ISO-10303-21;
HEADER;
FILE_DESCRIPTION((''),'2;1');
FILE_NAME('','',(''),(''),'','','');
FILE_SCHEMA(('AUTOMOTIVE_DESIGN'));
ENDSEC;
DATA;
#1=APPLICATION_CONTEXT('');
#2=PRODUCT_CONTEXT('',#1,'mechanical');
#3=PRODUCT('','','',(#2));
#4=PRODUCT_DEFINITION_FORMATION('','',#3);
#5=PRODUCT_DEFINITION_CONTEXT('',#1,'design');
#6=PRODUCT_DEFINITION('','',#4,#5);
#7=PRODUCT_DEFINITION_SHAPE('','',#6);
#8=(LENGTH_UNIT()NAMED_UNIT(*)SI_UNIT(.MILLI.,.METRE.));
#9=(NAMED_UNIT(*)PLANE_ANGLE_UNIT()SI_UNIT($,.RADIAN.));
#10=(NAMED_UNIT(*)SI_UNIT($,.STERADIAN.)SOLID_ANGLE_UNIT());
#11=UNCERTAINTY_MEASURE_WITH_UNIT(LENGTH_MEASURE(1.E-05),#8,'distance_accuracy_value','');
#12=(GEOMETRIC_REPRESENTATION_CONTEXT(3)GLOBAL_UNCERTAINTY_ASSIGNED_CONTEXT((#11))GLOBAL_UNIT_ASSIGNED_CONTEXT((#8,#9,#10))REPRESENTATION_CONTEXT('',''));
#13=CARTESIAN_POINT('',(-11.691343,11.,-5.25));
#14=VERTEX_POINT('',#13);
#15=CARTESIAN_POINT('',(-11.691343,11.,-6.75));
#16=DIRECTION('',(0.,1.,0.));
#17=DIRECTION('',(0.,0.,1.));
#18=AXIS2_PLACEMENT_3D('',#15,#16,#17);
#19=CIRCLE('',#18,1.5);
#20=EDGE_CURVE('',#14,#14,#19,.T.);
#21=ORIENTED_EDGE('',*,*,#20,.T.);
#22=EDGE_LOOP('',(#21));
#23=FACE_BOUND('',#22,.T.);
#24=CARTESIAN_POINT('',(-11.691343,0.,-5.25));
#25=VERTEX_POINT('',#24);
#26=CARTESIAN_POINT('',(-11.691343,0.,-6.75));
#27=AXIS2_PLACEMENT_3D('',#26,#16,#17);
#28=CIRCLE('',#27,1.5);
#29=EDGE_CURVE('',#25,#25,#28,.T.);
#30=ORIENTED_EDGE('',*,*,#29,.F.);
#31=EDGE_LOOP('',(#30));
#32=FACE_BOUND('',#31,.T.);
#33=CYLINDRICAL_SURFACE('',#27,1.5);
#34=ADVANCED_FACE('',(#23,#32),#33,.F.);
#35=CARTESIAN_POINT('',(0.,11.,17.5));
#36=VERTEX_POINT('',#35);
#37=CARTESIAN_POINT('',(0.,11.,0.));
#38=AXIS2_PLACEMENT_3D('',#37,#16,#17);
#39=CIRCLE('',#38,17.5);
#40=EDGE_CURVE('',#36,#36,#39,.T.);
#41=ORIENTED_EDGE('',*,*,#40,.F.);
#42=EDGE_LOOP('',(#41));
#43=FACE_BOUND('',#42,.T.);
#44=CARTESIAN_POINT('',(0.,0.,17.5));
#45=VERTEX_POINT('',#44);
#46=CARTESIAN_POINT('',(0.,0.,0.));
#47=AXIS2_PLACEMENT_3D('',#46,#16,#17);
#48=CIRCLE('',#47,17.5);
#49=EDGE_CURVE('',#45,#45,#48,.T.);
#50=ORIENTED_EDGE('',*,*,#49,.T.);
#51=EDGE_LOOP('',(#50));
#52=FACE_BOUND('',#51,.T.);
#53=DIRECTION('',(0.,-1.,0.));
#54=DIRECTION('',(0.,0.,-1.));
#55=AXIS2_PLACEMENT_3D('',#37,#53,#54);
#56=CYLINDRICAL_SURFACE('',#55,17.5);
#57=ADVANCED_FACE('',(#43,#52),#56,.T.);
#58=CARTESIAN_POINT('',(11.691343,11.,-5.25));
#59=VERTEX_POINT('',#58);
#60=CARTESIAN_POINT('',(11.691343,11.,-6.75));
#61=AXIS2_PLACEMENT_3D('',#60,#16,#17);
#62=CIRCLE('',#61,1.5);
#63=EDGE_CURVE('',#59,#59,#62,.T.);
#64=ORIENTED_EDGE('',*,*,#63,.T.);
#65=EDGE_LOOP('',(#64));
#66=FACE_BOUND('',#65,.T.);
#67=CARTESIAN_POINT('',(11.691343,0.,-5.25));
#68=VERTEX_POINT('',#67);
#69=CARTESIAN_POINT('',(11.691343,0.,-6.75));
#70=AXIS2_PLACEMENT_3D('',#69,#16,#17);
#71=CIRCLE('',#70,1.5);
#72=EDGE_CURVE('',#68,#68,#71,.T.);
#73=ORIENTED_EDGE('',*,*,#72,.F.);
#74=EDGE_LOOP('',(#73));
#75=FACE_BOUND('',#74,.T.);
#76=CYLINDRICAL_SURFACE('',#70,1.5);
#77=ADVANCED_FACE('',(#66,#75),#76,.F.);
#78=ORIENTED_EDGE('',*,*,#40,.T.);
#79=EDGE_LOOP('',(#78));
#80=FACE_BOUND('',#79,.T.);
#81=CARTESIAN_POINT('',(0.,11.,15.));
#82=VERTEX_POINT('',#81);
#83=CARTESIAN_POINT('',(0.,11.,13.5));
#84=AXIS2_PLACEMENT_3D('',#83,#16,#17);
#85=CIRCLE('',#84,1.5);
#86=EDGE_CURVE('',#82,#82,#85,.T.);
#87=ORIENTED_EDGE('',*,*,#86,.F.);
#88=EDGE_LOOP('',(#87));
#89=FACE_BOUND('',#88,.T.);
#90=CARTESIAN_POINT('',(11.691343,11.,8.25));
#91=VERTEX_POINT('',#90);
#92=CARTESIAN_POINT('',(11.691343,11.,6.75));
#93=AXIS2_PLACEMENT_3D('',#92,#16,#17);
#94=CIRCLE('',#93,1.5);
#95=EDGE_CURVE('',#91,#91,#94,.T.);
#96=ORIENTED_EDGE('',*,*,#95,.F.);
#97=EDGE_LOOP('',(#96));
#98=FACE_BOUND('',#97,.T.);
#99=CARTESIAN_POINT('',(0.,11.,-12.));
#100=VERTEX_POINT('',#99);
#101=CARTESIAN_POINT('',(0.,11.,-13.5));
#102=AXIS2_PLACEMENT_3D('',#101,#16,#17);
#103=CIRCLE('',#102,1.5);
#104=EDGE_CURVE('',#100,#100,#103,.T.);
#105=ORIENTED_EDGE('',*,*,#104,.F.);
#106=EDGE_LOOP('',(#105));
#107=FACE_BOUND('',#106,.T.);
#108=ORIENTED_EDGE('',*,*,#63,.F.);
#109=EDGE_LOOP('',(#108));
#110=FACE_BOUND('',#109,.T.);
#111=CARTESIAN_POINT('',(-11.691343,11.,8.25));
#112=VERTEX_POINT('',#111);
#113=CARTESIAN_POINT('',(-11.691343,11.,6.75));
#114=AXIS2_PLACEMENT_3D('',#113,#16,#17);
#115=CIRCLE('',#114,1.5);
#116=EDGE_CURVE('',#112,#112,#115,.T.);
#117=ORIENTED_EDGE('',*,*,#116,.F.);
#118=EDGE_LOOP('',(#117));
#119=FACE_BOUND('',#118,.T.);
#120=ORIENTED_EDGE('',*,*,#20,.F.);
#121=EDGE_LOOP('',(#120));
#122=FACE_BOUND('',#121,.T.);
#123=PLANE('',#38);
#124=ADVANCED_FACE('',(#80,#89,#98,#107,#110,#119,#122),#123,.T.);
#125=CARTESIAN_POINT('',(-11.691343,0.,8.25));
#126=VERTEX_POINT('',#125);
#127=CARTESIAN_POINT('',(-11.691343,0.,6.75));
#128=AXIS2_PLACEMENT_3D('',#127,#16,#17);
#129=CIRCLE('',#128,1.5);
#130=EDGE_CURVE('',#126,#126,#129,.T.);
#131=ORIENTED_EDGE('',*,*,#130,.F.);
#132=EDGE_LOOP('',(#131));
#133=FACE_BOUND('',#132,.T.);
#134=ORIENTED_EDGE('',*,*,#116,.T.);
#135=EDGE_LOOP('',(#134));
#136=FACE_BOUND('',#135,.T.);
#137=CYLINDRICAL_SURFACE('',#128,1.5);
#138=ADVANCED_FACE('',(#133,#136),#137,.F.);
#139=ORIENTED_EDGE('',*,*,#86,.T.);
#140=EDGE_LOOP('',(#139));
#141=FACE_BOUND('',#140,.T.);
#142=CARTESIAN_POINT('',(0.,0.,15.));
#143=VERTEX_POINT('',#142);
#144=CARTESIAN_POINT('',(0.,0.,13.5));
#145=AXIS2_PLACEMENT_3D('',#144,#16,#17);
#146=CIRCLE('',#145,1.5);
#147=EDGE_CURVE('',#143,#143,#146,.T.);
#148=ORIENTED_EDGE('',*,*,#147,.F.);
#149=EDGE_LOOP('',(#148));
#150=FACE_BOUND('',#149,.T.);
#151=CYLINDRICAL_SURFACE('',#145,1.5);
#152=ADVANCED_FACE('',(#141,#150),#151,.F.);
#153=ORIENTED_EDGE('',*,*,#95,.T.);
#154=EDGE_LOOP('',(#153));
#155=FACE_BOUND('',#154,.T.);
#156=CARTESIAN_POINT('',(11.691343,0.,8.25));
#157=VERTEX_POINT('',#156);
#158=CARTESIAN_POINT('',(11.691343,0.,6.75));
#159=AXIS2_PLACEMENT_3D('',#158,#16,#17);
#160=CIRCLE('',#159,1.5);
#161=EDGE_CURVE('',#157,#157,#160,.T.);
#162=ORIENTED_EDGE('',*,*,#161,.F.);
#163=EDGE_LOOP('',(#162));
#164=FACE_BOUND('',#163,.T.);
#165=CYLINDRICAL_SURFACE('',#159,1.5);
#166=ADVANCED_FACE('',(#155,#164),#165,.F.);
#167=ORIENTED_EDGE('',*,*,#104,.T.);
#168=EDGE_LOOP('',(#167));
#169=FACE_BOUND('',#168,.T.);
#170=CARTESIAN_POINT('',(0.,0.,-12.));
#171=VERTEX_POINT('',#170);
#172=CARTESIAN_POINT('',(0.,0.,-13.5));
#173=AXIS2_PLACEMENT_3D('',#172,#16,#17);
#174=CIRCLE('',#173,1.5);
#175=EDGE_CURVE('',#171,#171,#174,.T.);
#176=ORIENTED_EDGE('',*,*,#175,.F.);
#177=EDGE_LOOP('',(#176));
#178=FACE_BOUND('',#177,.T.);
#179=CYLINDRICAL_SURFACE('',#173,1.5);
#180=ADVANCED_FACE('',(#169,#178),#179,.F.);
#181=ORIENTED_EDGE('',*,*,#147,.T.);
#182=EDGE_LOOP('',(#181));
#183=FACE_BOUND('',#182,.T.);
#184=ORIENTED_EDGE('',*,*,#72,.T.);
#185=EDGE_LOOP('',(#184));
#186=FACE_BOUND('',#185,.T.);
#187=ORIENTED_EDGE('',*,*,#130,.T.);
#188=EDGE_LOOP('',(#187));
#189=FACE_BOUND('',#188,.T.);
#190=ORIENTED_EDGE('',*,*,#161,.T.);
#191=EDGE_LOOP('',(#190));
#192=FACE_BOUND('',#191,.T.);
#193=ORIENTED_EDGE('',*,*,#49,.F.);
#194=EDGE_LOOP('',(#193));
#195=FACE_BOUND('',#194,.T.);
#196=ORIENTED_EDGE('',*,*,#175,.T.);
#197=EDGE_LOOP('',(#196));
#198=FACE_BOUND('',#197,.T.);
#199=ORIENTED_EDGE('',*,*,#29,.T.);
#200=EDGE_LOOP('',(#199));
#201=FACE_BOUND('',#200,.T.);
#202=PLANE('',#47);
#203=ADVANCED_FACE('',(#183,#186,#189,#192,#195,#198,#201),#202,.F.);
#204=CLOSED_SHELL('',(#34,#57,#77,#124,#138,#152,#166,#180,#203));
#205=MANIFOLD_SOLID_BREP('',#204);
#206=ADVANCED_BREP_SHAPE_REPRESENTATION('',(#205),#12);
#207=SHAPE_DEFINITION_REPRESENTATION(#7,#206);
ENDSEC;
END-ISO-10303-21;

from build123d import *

# Parameters (mm, degrees)
SKETCH_1_R          = 17.5
EXTRUDE_1_DEPTH     = 11
SKETCH_2_R          = 1.5
CUT_EXTRUDE_1_DEPTH = 11


with BuildPart() as part:
    # 草图1 → 凸台-拉伸1 (new body)
    with BuildSketch(Plane(origin=(0, 0, 0), x_dir=(1, 0, 0), z_dir=(0, 1, 0))):
        Circle(SKETCH_1_R)
    extrude(amount=EXTRUDE_1_DEPTH)

    # 草图2 → 切除-拉伸1 (cut)
    with BuildSketch(Plane(origin=(0, 11, 0), x_dir=(1, 0, 0), z_dir=(0, 1, 0))):
        with Locations((0, 13.5)):
            Circle(SKETCH_2_R)
        with Locations((11.691342951, 6.75)):
            Circle(SKETCH_2_R)
        with Locations((11.691342951, -6.75)):
            Circle(SKETCH_2_R)
        with Locations((0, -13.5)):
            Circle(SKETCH_2_R)
        with Locations((-11.691342951, -6.75)):
            Circle(SKETCH_2_R)
        with Locations((-11.691342951, 6.75)):
            Circle(SKETCH_2_R)
    extrude(amount=-CUT_EXTRUDE_1_DEPTH, mode=Mode.SUBTRACT)


solid = part.part
